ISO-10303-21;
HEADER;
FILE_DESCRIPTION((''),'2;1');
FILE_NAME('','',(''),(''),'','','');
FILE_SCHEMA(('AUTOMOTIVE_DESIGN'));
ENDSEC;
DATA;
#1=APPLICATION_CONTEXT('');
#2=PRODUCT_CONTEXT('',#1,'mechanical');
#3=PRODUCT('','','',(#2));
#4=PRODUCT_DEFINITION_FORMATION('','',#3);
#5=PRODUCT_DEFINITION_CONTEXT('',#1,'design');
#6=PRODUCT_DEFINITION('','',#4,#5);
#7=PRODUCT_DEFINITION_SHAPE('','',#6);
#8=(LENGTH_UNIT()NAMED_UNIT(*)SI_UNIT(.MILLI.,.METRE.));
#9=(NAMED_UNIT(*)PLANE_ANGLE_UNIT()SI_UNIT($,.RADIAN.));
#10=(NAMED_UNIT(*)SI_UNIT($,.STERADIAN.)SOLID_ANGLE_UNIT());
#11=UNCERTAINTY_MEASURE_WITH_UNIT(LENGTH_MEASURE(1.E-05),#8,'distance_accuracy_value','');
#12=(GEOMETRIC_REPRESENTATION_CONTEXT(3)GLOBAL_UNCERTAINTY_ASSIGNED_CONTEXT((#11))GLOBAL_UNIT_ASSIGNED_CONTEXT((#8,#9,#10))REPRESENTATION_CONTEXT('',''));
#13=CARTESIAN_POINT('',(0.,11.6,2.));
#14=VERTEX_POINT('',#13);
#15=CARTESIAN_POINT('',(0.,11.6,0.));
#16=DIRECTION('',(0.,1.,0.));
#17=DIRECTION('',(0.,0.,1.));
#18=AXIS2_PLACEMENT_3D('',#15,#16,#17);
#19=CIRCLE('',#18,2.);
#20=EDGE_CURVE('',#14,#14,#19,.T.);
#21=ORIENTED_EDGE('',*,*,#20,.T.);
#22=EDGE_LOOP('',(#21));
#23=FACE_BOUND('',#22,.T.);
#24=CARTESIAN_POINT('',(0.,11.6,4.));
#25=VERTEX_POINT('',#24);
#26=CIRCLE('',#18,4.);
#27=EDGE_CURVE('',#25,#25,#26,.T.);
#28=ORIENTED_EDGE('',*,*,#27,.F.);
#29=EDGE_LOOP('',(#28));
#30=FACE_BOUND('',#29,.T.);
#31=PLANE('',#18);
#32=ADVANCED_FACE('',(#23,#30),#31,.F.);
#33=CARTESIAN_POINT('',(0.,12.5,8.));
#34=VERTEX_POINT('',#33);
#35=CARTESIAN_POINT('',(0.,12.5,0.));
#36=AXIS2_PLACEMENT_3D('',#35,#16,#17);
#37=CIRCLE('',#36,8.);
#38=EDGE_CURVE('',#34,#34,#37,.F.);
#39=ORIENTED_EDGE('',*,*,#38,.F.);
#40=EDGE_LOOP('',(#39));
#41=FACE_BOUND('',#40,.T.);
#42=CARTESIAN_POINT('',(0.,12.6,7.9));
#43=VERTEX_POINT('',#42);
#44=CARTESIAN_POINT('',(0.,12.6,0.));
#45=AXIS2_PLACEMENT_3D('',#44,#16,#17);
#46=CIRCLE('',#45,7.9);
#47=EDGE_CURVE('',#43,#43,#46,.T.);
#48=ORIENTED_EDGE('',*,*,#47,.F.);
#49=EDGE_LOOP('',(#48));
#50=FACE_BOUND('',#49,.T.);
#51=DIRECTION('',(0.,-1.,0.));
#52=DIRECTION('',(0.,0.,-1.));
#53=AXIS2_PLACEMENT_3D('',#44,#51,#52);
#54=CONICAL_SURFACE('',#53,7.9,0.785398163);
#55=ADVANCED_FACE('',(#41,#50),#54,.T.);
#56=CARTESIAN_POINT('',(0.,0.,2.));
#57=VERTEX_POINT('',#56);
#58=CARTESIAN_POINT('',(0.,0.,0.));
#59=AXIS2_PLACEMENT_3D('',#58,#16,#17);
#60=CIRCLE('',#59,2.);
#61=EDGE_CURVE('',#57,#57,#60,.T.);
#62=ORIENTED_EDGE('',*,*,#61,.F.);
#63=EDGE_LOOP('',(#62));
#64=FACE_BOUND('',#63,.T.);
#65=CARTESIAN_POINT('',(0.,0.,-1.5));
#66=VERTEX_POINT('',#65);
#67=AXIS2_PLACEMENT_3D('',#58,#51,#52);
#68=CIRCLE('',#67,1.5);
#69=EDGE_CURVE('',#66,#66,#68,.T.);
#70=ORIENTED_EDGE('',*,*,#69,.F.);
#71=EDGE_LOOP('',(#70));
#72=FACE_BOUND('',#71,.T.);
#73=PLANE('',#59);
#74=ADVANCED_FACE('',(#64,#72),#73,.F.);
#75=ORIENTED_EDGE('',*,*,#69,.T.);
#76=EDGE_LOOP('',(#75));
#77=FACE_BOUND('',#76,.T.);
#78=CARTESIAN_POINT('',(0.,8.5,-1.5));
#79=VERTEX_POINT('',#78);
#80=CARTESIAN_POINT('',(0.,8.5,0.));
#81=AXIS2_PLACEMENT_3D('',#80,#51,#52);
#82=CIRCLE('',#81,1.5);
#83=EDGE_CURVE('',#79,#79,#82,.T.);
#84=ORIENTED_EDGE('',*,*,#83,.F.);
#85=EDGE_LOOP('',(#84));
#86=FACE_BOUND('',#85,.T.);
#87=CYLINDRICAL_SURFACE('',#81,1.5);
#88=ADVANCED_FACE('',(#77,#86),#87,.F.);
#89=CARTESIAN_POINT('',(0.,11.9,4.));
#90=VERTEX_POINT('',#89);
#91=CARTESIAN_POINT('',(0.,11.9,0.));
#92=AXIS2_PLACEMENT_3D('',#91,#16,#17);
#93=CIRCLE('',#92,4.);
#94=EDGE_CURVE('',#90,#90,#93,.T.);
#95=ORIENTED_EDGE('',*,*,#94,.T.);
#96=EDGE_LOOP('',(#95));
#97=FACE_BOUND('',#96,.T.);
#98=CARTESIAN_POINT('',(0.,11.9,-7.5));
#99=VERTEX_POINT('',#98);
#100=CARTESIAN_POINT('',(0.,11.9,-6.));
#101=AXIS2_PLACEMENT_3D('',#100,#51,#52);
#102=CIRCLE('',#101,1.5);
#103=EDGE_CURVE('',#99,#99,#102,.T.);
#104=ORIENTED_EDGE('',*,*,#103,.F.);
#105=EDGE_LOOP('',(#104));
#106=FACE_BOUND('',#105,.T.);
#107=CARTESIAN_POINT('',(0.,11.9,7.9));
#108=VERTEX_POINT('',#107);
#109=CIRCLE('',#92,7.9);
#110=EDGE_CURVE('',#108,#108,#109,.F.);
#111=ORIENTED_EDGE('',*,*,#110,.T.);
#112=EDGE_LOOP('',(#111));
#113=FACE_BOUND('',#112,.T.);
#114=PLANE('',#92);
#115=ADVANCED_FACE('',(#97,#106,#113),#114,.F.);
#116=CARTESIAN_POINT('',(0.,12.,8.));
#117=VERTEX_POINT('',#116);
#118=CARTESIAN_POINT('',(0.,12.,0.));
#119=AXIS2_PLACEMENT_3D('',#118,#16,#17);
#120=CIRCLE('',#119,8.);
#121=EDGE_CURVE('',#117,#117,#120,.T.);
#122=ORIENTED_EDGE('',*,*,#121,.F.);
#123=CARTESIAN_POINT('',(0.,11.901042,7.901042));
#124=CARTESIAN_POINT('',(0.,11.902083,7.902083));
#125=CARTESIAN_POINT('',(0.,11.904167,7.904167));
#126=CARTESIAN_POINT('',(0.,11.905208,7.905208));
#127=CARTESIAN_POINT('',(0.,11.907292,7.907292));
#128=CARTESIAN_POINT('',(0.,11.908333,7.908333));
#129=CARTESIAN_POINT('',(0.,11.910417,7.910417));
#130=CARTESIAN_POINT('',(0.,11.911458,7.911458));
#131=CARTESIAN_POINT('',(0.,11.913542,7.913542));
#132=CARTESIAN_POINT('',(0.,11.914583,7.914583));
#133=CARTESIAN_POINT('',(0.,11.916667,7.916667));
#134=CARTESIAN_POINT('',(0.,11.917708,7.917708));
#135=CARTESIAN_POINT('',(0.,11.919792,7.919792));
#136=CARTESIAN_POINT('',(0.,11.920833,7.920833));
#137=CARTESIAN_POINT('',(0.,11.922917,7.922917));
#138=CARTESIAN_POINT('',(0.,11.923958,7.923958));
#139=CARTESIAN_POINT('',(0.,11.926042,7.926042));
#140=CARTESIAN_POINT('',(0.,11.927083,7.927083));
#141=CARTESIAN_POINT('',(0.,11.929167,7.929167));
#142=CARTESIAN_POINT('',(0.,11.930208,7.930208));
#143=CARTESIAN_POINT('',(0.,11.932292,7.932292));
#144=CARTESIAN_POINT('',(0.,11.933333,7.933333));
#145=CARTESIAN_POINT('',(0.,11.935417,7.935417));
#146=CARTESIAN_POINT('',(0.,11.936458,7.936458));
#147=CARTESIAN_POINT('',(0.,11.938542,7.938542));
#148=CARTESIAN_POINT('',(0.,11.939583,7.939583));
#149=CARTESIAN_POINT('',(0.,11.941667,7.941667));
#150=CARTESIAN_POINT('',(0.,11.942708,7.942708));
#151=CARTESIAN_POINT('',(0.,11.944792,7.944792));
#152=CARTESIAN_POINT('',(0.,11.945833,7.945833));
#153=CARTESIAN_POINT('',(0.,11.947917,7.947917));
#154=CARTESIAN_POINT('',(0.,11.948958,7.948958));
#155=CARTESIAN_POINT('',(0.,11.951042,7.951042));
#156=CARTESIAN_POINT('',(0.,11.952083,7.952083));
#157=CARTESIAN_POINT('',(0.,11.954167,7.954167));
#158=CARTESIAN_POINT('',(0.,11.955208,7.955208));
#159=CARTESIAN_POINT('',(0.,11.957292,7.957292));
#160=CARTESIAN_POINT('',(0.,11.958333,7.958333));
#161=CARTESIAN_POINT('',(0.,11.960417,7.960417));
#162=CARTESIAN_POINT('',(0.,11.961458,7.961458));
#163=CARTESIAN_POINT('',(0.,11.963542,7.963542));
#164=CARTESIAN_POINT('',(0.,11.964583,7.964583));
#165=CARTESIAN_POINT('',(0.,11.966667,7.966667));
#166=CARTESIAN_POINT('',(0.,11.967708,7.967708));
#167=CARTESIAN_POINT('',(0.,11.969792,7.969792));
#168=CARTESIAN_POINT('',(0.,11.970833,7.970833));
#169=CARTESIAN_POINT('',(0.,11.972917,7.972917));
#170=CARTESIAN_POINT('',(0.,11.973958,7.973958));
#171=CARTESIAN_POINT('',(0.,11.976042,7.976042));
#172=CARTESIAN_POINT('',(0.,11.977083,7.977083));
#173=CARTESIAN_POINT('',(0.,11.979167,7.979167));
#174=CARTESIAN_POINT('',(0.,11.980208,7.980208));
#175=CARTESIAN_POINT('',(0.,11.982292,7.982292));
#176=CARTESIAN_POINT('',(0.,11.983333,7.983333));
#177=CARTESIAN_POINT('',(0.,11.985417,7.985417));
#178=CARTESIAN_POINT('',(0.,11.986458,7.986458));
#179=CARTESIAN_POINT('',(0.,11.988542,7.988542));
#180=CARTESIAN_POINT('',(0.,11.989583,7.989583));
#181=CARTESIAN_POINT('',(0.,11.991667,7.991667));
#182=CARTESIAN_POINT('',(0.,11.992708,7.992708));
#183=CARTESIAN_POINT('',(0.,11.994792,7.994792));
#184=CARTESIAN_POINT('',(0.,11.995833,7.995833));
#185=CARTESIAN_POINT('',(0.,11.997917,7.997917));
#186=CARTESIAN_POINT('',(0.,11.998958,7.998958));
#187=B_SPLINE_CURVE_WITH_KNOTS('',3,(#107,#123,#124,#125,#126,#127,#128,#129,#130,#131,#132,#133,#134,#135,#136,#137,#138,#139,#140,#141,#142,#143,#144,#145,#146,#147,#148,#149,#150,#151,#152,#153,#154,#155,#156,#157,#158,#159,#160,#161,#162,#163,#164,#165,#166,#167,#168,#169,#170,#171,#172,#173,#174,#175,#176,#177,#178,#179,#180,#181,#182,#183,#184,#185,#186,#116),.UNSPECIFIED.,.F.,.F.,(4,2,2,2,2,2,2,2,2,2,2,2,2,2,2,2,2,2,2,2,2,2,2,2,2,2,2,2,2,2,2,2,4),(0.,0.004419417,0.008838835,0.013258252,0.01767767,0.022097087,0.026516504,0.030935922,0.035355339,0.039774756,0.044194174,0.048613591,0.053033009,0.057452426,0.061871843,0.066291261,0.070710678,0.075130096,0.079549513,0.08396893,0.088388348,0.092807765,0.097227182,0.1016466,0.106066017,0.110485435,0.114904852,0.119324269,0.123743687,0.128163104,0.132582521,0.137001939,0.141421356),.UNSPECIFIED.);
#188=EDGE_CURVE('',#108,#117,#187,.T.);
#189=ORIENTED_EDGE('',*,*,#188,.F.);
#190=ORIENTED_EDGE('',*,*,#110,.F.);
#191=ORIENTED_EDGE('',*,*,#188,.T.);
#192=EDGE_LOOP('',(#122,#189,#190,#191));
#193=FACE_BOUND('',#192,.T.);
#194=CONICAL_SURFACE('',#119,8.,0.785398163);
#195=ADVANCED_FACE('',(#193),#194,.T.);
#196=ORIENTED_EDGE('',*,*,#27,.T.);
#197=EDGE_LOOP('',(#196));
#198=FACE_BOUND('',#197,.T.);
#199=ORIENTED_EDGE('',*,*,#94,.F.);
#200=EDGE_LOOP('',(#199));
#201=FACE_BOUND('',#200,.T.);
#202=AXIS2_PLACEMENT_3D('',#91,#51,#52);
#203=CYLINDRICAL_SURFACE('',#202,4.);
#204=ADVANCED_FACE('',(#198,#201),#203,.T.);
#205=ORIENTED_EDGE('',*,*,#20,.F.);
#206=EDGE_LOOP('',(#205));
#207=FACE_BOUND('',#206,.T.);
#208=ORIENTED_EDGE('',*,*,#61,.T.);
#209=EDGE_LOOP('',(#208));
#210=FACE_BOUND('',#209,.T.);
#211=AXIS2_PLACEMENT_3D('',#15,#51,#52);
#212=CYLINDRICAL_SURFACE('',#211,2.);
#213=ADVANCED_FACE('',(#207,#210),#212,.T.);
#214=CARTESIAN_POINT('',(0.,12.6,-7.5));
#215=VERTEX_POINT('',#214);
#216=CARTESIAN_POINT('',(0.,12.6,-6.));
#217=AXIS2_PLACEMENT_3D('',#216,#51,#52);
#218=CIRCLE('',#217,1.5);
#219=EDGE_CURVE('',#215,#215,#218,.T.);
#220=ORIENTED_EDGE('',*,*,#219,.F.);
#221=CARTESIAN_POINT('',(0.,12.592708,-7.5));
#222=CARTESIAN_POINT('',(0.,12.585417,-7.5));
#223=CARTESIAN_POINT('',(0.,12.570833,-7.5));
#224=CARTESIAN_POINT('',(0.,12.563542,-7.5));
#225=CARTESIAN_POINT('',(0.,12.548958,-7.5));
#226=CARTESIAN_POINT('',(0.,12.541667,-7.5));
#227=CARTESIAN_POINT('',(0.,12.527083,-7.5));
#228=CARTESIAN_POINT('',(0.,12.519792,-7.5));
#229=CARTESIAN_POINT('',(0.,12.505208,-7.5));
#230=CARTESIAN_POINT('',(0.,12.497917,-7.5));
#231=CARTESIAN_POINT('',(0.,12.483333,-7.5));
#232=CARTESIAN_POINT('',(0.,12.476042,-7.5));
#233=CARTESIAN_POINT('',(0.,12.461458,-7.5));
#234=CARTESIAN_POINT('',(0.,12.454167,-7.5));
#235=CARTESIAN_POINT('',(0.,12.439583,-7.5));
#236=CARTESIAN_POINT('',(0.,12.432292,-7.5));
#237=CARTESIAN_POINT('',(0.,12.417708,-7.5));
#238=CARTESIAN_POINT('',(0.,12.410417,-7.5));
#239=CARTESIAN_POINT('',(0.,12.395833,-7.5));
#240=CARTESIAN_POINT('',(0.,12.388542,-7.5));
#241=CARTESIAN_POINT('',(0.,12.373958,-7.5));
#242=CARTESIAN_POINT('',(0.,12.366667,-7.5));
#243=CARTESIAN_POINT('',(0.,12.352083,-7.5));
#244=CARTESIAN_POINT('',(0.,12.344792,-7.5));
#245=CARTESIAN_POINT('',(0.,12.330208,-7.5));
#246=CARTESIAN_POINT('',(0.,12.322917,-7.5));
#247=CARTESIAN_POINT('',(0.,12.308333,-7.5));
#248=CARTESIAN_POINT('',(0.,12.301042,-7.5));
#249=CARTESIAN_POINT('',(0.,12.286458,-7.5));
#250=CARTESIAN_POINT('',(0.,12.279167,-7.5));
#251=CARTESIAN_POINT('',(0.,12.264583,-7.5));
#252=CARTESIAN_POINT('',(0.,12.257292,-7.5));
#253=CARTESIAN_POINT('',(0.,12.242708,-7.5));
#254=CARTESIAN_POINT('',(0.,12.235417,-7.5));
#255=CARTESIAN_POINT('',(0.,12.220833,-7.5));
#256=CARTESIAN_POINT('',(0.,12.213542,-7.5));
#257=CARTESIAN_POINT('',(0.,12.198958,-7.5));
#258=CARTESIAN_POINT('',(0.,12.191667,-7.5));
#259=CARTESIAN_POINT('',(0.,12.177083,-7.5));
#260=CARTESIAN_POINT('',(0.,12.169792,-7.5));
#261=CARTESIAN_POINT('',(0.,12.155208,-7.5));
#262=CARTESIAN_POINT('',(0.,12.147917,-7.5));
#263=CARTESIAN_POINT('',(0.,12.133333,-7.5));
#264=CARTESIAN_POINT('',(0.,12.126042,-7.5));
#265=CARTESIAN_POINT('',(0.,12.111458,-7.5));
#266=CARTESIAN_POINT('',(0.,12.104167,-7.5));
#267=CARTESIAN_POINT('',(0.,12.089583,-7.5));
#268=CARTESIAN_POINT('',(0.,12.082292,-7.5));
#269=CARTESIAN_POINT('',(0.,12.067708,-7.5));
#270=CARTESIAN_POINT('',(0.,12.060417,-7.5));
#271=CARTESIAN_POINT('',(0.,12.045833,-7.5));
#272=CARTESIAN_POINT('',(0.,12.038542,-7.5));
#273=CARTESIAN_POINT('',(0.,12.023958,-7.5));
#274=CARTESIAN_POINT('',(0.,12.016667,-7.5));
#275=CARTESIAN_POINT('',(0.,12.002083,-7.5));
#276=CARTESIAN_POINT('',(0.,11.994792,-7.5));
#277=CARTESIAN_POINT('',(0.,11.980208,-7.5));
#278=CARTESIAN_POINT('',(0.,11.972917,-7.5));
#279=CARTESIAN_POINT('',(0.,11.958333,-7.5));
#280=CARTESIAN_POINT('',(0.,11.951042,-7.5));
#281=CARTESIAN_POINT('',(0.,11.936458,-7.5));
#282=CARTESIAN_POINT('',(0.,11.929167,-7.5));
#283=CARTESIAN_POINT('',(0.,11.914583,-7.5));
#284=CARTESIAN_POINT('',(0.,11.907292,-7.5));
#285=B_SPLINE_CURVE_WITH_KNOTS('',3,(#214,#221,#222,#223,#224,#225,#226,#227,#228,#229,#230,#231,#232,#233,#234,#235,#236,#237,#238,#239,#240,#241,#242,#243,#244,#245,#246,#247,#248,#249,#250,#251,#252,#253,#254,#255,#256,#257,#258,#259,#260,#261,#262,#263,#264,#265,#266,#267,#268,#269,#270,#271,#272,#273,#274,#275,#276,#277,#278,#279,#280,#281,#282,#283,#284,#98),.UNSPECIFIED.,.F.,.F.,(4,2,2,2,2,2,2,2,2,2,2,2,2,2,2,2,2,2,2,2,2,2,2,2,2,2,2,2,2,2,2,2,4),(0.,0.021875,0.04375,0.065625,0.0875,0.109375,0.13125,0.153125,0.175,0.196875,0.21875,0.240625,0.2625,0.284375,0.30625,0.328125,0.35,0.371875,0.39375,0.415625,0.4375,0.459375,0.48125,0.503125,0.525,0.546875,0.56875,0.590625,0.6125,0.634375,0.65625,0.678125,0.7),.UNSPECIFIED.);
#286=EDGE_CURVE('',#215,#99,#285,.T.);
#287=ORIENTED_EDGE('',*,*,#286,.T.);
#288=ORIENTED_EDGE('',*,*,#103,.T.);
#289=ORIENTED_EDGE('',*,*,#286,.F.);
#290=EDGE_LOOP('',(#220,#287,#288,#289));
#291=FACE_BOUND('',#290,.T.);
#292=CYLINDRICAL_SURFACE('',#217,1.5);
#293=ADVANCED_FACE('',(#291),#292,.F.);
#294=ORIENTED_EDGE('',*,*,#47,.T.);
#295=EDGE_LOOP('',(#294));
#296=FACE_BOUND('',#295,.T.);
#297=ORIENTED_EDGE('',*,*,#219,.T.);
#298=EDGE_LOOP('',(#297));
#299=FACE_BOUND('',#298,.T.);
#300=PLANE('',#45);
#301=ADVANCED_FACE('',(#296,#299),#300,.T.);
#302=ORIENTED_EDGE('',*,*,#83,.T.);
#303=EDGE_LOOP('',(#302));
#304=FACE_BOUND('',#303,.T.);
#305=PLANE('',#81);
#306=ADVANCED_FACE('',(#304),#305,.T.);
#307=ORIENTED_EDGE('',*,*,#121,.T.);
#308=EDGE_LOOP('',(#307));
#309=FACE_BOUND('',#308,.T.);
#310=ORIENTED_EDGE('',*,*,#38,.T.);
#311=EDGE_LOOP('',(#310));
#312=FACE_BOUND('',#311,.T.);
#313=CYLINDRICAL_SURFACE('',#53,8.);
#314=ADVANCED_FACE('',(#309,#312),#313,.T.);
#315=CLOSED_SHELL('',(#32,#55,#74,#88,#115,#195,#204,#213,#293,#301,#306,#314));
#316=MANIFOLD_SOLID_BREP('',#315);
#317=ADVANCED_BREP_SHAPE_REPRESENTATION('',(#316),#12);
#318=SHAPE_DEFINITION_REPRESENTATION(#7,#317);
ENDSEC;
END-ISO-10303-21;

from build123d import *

# Parameters (mm, degrees)
SKETCH2_R           = 2
BOSS_EXTRUDE1_DEPTH = 11.6
SKETCH3_R           = 4
BOSS_EXTRUDE2_DEPTH = 0.3
SKETCH4_R           = 8
BOSS_EXTRUDE3_DEPTH = 0.7
SKETCH5_R           = 1.5
CUT_EXTRUDE1_DEPTH  = 8.5
SKETCH6_R           = 1.5
CUT_EXTRUDE2_DEPTH  = 17.419805115
CHAMFER1_SIZE       = 0.1


with BuildPart() as part:
    # Sketch2 → Boss-Extrude1 (new body)
    with BuildSketch(Plane(origin=(0, 0, 0), x_dir=(1, 0, 0), z_dir=(0, 1, 0))):
        with Locations(Location((0, 0, 0), (0, 0, 270))):
            Circle(SKETCH2_R)
    extrude(amount=BOSS_EXTRUDE1_DEPTH)

    # Sketch3 → Boss-Extrude2 (add)
    with BuildSketch(Plane(origin=(0, 11.6, 0), x_dir=(1, 0, 0), z_dir=(0, 1, 0))):
        with Locations(Location((0, 0, 0), (0, 0, 270))):
            Circle(SKETCH3_R)
    extrude(amount=BOSS_EXTRUDE2_DEPTH)

    # Sketch4 → Boss-Extrude3 (add)
    with BuildSketch(Plane(origin=(0, 11.9, 0), x_dir=(1, 0, 0), z_dir=(0, 1, 0))):
        with Locations(Location((0, 0, 0), (0, 0, 270))):
            Circle(SKETCH4_R)
    extrude(amount=BOSS_EXTRUDE3_DEPTH)

    # Sketch5 → Cut-Extrude1 (cut)
    with BuildSketch(Plane.XZ):
        with Locations(Location((0, 0, 0), (0, 0, 270))):
            Circle(SKETCH5_R)
    extrude(amount=-CUT_EXTRUDE1_DEPTH, mode=Mode.SUBTRACT)

    # Sketch6 → Cut-Extrude2 (cut, through all)
    with BuildSketch(Plane.XZ.offset(-11.9)):
        with Locations(Location((0, -6, 0), (0, 0, 270))):
            Circle(SKETCH6_R)
    extrude(amount=-CUT_EXTRUDE2_DEPTH, mode=Mode.SUBTRACT)

    # Chamfer1
    chamfer1_edges = [part.edges().sort_by_distance(p)[0] for p in [
        (0, 12.6, -8),
        (0, 11.9, -8),
    ]]
    chamfer(chamfer1_edges, length=CHAMFER1_SIZE)


solid = part.part
